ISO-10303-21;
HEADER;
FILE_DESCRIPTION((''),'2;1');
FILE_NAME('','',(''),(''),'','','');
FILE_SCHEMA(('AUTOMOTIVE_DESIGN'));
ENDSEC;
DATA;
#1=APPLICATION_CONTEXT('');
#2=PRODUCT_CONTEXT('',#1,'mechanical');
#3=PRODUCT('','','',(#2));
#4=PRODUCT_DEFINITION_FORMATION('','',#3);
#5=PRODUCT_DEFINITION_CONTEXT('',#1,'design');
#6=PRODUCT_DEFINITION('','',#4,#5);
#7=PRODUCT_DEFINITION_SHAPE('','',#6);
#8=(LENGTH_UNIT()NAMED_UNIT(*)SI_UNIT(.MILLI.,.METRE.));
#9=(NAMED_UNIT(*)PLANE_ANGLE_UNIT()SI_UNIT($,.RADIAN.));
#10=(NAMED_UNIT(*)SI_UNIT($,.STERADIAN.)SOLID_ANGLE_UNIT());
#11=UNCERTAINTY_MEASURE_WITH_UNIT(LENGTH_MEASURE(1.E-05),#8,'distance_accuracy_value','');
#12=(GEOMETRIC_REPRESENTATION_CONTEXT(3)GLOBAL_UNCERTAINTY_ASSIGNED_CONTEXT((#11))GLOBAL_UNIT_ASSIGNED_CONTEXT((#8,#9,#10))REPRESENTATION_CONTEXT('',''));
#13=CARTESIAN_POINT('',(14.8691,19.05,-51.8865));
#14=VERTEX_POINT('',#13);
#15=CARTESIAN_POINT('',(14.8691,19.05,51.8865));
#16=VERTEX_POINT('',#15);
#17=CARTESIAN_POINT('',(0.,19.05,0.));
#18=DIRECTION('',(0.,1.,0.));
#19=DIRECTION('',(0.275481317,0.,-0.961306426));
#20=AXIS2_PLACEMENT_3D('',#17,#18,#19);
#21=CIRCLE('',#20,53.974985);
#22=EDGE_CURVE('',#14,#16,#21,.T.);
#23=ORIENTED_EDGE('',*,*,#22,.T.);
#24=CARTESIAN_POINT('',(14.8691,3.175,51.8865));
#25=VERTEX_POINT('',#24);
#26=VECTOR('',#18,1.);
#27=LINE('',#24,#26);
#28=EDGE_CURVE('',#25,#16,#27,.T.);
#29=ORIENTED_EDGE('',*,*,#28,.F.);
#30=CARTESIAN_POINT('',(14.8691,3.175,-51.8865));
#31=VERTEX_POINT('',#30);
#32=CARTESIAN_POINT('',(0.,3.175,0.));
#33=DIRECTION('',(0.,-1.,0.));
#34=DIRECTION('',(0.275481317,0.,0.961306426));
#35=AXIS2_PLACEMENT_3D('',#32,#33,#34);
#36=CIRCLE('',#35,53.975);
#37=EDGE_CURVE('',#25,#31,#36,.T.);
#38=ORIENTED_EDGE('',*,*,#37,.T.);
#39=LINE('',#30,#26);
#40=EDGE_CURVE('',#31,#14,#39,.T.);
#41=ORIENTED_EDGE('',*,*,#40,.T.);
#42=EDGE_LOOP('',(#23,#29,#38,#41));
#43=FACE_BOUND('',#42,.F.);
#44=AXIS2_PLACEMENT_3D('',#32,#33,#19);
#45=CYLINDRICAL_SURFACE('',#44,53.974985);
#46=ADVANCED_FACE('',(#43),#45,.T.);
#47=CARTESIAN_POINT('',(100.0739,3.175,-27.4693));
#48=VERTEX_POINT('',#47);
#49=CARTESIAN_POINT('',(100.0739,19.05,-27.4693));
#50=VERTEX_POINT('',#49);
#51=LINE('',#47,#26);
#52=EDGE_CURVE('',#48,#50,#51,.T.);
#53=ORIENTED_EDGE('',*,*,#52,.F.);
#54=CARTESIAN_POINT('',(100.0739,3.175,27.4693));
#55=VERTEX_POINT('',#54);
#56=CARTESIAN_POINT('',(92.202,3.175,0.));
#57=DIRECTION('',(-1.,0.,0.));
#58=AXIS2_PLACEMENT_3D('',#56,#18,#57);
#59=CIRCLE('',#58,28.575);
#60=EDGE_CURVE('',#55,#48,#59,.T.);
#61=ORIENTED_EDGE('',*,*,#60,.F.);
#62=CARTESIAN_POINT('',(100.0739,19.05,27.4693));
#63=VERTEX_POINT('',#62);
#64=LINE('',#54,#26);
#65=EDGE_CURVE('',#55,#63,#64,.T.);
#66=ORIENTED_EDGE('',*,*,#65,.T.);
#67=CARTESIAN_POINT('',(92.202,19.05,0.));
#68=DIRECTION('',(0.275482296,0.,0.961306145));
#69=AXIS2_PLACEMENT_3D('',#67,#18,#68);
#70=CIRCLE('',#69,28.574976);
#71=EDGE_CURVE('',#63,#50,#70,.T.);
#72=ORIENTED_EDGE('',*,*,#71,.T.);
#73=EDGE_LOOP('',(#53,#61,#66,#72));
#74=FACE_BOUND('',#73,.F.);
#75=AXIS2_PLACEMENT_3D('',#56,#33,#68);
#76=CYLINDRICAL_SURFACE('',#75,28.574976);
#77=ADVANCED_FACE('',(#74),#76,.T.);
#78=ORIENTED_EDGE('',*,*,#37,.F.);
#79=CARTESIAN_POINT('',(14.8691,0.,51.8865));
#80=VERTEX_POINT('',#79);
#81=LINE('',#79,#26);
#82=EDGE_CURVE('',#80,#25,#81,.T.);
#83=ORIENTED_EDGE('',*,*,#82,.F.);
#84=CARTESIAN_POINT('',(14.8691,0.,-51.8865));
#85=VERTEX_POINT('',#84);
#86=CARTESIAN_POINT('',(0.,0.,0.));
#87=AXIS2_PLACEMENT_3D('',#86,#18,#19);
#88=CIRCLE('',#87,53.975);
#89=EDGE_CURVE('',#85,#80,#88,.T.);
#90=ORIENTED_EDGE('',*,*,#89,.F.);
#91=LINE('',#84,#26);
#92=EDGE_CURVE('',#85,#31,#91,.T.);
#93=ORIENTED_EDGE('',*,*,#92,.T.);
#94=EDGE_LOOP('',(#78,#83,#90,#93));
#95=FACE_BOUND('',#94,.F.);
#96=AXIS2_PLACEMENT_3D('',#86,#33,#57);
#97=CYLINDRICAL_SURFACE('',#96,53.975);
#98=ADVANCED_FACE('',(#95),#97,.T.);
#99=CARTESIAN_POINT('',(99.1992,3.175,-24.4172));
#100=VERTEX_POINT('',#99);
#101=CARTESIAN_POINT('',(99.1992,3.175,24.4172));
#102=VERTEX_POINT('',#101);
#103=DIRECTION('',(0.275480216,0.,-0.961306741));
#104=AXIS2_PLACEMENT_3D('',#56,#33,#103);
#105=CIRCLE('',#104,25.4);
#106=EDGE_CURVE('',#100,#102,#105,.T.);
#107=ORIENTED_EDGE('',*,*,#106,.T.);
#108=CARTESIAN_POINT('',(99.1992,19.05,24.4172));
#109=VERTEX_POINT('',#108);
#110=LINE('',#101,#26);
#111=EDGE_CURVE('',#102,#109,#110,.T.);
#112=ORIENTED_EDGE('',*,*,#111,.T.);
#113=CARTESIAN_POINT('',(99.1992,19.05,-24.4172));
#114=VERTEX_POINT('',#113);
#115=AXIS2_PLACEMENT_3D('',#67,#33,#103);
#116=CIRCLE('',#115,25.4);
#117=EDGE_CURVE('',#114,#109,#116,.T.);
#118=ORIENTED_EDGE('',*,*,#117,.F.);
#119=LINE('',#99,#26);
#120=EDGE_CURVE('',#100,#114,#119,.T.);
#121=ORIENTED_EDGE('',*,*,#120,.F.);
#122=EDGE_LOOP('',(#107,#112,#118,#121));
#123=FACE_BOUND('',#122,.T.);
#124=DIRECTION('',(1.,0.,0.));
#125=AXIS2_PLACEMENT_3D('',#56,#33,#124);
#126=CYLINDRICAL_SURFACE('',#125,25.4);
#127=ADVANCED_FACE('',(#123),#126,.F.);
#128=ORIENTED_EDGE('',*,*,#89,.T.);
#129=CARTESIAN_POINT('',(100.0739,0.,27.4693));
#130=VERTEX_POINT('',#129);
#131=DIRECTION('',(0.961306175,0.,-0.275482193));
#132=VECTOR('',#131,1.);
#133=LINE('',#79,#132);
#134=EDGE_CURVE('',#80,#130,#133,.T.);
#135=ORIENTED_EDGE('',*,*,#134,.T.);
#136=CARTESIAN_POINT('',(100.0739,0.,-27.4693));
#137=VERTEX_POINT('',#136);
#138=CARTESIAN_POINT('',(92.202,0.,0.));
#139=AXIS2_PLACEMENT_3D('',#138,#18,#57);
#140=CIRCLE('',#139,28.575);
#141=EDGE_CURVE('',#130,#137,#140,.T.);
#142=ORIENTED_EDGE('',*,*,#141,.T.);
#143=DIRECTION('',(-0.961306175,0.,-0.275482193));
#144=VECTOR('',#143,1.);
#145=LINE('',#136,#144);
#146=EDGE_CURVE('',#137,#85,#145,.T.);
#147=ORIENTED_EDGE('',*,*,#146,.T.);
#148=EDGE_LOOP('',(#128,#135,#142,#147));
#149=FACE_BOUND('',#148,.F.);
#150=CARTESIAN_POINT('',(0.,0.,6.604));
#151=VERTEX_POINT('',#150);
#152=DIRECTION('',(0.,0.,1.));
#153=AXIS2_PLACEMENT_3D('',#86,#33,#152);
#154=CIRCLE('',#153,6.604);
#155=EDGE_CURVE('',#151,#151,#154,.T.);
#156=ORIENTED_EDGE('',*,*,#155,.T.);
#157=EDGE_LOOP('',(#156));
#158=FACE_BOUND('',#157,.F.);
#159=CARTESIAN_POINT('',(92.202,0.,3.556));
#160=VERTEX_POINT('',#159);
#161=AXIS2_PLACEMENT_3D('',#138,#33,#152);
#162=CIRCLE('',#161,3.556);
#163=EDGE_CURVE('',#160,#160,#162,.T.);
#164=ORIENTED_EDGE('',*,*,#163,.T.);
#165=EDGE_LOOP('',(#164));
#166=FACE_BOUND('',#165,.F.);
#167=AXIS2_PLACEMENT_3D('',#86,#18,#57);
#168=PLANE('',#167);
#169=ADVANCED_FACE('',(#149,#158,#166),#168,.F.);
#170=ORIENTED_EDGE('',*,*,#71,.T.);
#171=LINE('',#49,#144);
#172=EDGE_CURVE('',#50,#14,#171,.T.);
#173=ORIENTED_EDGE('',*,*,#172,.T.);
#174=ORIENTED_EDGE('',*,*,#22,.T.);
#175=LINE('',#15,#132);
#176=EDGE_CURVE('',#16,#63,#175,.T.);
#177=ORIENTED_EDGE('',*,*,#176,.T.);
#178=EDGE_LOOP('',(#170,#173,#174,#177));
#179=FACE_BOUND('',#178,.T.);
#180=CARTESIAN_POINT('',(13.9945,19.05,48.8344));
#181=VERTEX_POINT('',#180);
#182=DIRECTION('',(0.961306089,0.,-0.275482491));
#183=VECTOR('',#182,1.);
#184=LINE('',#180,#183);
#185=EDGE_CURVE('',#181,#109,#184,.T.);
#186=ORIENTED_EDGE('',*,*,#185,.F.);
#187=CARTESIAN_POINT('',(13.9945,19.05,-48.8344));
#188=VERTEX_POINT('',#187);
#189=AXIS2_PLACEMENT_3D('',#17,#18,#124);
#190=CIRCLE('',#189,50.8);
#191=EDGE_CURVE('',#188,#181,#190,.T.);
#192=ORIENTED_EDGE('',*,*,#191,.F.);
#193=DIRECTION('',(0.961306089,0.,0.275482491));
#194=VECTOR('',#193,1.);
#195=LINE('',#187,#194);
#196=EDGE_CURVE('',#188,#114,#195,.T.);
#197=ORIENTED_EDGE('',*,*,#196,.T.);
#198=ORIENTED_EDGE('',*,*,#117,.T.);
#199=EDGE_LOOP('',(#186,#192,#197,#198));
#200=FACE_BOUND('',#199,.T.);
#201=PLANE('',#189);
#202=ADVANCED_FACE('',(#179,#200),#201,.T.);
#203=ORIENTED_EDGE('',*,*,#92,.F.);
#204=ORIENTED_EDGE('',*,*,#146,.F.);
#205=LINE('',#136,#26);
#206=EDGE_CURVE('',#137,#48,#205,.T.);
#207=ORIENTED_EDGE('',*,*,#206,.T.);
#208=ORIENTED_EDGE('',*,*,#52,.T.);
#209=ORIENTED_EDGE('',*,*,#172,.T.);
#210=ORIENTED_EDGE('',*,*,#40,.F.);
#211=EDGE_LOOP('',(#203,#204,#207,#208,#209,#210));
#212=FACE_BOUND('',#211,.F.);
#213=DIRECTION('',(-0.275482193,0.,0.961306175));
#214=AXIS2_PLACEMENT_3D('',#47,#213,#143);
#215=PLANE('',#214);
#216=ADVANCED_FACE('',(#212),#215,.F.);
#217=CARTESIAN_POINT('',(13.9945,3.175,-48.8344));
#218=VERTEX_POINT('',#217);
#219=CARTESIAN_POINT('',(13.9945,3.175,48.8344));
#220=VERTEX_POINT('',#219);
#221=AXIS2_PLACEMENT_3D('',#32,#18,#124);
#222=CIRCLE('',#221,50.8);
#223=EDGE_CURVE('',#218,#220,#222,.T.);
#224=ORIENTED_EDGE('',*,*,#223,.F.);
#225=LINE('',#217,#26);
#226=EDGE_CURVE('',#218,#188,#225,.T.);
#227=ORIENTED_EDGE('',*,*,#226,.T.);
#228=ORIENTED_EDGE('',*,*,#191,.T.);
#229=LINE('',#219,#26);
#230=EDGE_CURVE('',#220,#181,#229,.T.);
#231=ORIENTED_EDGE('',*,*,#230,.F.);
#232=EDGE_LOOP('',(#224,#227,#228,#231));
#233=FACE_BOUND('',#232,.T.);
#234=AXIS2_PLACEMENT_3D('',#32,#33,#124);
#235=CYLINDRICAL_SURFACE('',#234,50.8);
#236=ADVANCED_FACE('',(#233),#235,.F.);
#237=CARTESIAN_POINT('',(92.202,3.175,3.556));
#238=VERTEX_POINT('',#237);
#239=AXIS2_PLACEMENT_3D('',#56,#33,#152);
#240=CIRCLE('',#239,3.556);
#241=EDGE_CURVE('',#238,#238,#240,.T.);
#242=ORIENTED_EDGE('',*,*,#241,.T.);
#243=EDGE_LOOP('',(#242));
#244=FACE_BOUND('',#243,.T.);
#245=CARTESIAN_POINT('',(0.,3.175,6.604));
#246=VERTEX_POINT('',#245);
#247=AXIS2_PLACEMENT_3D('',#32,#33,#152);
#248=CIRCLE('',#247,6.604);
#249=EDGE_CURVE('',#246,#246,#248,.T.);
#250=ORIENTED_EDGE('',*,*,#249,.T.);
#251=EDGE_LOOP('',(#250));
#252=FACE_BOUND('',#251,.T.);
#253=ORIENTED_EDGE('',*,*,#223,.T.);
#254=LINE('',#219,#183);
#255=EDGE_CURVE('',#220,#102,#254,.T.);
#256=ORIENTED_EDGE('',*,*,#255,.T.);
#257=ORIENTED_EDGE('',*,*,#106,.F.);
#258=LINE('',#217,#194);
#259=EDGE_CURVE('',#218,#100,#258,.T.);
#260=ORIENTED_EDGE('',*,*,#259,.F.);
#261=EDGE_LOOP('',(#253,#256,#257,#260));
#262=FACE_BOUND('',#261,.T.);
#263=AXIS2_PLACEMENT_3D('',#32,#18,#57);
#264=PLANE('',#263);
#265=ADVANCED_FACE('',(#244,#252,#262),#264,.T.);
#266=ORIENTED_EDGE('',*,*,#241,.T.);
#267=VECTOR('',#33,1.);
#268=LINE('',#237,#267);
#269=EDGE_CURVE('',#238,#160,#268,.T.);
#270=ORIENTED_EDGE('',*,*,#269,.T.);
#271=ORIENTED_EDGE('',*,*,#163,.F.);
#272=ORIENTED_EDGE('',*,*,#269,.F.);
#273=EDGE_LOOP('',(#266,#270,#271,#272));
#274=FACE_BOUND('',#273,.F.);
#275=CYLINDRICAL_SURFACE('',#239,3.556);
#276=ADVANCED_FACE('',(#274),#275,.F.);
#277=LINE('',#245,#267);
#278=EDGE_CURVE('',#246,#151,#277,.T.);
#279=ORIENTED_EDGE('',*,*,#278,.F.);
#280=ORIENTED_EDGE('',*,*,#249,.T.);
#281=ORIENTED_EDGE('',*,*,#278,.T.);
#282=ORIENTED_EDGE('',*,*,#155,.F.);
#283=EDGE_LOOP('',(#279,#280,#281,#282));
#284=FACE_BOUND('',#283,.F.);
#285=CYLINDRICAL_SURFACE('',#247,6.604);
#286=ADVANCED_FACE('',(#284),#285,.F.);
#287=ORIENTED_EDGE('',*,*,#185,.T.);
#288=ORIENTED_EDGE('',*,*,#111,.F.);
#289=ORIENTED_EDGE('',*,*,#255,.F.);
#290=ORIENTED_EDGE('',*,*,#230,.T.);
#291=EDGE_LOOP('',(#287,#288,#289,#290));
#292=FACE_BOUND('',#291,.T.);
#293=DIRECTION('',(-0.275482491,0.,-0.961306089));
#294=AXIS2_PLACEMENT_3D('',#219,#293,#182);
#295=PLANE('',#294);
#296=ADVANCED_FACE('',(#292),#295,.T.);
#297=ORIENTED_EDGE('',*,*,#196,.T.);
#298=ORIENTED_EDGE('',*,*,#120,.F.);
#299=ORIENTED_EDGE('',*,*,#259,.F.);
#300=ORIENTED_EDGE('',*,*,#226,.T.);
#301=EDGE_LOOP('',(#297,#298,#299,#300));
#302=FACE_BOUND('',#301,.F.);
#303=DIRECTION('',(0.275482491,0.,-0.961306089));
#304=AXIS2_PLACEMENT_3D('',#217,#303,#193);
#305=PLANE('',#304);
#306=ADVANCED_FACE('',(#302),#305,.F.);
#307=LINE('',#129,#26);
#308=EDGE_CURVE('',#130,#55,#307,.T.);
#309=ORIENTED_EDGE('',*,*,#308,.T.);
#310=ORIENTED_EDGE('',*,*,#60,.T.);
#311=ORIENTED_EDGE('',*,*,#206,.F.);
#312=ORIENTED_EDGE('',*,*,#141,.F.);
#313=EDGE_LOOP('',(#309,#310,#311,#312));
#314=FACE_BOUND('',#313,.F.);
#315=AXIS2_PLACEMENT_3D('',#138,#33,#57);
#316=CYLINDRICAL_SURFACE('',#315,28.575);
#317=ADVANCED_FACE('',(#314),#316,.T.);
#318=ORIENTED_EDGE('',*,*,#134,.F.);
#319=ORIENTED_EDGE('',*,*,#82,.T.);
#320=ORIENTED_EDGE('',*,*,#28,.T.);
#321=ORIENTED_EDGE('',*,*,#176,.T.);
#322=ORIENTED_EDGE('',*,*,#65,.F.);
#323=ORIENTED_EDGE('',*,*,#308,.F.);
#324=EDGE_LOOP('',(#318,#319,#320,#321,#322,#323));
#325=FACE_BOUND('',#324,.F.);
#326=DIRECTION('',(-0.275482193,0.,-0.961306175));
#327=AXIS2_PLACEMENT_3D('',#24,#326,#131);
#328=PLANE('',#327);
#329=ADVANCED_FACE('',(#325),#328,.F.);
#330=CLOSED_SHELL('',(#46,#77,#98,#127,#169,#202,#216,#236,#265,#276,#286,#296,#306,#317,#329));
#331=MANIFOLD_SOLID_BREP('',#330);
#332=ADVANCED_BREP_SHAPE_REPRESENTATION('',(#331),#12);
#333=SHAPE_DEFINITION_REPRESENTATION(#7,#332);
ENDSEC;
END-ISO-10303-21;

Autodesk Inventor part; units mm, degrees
ref_plane "YZ Plane" through (0, 0, 0) normal (1, 0, 0) x (0, 1, 0)
ref_plane "XZ Plane" through (0, 0, 0) normal (0, 1, 0) x (-1, 0, 0)
ref_plane "XY Plane" through (0, 0, 0) normal (0, 0, 1) x (1, 0, 0)
sketch "Sketch1" plane through (0, 0, 0) normal (0, 1, 0) x (-1, 0, 0)
  circle A0 centre (0, 0) radius 53.975
  circle A1 centre (-92.202, 0) radius 28.575
  line L0 (-14.8691, 51.8865) -> (-100.0739, 27.4693)
  line L1 (-100.0739, -27.4693) -> (-14.8691, -51.8865)
  dimension "d0" = 107.95
  dimension "d1" = 57.15
  dimension "d2" = 92.202
  dimension "d3" = 0
extrude "Extrusion1" add sketch "Sketch1" along normal blind 3.175
sketch "Sketch3" plane through (0, 3.175, 0) normal (0, 1, 0) x (1, 0, 0)
  point P0 (0, 0)
  point P1 (0, 0)
sketch "Sketch4" plane through (0, 3.175, 0) normal (0, 1, 0) x (1, 0, 0)
  arc A0 (100.0739, -27.4693) -> (100.0739, 27.4693) centre (92.202, 0) ccw projected
  point P0 (0, 0)
hole "Hole1" at (0, 3.175, 0) direction (0, -1, 0) diameter 13.208 end through all
hole "Hole2" at (92.202, 3.175, 0) direction (0, -1, 0) diameter 7.112 end through all
sketch "Sketch5" plane through (0, 3.175, 0) normal (0, 1, 0) x (1, 0, 0)
  circle A0 centre (0, 0) radius 50.8
  circle A1 centre (92.202, 0) radius 3.556 projected
  circle A2 centre (92.202, 0) radius 25.4
  line L0 (13.9945, -48.8344) -> (99.1992, -24.4172)
  line L1 (13.9945, 48.8344) -> (99.1992, 24.4172)
  line L2 (14.8691, -51.8865) -> (100.0739, -27.4693) projected
  arc A3 (14.8691, 51.8865) -> (14.8691, -51.8865) centre (0, 0) ccw projected
  line L3 (100.0739, 27.4693) -> (14.8691, 51.8865) projected
  arc A4 (100.0739, -27.4693) -> (100.0739, 27.4693) centre (92.202, 0) ccw projected
  dimension "d20" = 101.6
  dimension "d21" = 50.8
extrude "Extrusion2" add sketch "Sketch5" along normal blind 15.875 contours A3 L3 A4 L2
properties part number "chain guard"
